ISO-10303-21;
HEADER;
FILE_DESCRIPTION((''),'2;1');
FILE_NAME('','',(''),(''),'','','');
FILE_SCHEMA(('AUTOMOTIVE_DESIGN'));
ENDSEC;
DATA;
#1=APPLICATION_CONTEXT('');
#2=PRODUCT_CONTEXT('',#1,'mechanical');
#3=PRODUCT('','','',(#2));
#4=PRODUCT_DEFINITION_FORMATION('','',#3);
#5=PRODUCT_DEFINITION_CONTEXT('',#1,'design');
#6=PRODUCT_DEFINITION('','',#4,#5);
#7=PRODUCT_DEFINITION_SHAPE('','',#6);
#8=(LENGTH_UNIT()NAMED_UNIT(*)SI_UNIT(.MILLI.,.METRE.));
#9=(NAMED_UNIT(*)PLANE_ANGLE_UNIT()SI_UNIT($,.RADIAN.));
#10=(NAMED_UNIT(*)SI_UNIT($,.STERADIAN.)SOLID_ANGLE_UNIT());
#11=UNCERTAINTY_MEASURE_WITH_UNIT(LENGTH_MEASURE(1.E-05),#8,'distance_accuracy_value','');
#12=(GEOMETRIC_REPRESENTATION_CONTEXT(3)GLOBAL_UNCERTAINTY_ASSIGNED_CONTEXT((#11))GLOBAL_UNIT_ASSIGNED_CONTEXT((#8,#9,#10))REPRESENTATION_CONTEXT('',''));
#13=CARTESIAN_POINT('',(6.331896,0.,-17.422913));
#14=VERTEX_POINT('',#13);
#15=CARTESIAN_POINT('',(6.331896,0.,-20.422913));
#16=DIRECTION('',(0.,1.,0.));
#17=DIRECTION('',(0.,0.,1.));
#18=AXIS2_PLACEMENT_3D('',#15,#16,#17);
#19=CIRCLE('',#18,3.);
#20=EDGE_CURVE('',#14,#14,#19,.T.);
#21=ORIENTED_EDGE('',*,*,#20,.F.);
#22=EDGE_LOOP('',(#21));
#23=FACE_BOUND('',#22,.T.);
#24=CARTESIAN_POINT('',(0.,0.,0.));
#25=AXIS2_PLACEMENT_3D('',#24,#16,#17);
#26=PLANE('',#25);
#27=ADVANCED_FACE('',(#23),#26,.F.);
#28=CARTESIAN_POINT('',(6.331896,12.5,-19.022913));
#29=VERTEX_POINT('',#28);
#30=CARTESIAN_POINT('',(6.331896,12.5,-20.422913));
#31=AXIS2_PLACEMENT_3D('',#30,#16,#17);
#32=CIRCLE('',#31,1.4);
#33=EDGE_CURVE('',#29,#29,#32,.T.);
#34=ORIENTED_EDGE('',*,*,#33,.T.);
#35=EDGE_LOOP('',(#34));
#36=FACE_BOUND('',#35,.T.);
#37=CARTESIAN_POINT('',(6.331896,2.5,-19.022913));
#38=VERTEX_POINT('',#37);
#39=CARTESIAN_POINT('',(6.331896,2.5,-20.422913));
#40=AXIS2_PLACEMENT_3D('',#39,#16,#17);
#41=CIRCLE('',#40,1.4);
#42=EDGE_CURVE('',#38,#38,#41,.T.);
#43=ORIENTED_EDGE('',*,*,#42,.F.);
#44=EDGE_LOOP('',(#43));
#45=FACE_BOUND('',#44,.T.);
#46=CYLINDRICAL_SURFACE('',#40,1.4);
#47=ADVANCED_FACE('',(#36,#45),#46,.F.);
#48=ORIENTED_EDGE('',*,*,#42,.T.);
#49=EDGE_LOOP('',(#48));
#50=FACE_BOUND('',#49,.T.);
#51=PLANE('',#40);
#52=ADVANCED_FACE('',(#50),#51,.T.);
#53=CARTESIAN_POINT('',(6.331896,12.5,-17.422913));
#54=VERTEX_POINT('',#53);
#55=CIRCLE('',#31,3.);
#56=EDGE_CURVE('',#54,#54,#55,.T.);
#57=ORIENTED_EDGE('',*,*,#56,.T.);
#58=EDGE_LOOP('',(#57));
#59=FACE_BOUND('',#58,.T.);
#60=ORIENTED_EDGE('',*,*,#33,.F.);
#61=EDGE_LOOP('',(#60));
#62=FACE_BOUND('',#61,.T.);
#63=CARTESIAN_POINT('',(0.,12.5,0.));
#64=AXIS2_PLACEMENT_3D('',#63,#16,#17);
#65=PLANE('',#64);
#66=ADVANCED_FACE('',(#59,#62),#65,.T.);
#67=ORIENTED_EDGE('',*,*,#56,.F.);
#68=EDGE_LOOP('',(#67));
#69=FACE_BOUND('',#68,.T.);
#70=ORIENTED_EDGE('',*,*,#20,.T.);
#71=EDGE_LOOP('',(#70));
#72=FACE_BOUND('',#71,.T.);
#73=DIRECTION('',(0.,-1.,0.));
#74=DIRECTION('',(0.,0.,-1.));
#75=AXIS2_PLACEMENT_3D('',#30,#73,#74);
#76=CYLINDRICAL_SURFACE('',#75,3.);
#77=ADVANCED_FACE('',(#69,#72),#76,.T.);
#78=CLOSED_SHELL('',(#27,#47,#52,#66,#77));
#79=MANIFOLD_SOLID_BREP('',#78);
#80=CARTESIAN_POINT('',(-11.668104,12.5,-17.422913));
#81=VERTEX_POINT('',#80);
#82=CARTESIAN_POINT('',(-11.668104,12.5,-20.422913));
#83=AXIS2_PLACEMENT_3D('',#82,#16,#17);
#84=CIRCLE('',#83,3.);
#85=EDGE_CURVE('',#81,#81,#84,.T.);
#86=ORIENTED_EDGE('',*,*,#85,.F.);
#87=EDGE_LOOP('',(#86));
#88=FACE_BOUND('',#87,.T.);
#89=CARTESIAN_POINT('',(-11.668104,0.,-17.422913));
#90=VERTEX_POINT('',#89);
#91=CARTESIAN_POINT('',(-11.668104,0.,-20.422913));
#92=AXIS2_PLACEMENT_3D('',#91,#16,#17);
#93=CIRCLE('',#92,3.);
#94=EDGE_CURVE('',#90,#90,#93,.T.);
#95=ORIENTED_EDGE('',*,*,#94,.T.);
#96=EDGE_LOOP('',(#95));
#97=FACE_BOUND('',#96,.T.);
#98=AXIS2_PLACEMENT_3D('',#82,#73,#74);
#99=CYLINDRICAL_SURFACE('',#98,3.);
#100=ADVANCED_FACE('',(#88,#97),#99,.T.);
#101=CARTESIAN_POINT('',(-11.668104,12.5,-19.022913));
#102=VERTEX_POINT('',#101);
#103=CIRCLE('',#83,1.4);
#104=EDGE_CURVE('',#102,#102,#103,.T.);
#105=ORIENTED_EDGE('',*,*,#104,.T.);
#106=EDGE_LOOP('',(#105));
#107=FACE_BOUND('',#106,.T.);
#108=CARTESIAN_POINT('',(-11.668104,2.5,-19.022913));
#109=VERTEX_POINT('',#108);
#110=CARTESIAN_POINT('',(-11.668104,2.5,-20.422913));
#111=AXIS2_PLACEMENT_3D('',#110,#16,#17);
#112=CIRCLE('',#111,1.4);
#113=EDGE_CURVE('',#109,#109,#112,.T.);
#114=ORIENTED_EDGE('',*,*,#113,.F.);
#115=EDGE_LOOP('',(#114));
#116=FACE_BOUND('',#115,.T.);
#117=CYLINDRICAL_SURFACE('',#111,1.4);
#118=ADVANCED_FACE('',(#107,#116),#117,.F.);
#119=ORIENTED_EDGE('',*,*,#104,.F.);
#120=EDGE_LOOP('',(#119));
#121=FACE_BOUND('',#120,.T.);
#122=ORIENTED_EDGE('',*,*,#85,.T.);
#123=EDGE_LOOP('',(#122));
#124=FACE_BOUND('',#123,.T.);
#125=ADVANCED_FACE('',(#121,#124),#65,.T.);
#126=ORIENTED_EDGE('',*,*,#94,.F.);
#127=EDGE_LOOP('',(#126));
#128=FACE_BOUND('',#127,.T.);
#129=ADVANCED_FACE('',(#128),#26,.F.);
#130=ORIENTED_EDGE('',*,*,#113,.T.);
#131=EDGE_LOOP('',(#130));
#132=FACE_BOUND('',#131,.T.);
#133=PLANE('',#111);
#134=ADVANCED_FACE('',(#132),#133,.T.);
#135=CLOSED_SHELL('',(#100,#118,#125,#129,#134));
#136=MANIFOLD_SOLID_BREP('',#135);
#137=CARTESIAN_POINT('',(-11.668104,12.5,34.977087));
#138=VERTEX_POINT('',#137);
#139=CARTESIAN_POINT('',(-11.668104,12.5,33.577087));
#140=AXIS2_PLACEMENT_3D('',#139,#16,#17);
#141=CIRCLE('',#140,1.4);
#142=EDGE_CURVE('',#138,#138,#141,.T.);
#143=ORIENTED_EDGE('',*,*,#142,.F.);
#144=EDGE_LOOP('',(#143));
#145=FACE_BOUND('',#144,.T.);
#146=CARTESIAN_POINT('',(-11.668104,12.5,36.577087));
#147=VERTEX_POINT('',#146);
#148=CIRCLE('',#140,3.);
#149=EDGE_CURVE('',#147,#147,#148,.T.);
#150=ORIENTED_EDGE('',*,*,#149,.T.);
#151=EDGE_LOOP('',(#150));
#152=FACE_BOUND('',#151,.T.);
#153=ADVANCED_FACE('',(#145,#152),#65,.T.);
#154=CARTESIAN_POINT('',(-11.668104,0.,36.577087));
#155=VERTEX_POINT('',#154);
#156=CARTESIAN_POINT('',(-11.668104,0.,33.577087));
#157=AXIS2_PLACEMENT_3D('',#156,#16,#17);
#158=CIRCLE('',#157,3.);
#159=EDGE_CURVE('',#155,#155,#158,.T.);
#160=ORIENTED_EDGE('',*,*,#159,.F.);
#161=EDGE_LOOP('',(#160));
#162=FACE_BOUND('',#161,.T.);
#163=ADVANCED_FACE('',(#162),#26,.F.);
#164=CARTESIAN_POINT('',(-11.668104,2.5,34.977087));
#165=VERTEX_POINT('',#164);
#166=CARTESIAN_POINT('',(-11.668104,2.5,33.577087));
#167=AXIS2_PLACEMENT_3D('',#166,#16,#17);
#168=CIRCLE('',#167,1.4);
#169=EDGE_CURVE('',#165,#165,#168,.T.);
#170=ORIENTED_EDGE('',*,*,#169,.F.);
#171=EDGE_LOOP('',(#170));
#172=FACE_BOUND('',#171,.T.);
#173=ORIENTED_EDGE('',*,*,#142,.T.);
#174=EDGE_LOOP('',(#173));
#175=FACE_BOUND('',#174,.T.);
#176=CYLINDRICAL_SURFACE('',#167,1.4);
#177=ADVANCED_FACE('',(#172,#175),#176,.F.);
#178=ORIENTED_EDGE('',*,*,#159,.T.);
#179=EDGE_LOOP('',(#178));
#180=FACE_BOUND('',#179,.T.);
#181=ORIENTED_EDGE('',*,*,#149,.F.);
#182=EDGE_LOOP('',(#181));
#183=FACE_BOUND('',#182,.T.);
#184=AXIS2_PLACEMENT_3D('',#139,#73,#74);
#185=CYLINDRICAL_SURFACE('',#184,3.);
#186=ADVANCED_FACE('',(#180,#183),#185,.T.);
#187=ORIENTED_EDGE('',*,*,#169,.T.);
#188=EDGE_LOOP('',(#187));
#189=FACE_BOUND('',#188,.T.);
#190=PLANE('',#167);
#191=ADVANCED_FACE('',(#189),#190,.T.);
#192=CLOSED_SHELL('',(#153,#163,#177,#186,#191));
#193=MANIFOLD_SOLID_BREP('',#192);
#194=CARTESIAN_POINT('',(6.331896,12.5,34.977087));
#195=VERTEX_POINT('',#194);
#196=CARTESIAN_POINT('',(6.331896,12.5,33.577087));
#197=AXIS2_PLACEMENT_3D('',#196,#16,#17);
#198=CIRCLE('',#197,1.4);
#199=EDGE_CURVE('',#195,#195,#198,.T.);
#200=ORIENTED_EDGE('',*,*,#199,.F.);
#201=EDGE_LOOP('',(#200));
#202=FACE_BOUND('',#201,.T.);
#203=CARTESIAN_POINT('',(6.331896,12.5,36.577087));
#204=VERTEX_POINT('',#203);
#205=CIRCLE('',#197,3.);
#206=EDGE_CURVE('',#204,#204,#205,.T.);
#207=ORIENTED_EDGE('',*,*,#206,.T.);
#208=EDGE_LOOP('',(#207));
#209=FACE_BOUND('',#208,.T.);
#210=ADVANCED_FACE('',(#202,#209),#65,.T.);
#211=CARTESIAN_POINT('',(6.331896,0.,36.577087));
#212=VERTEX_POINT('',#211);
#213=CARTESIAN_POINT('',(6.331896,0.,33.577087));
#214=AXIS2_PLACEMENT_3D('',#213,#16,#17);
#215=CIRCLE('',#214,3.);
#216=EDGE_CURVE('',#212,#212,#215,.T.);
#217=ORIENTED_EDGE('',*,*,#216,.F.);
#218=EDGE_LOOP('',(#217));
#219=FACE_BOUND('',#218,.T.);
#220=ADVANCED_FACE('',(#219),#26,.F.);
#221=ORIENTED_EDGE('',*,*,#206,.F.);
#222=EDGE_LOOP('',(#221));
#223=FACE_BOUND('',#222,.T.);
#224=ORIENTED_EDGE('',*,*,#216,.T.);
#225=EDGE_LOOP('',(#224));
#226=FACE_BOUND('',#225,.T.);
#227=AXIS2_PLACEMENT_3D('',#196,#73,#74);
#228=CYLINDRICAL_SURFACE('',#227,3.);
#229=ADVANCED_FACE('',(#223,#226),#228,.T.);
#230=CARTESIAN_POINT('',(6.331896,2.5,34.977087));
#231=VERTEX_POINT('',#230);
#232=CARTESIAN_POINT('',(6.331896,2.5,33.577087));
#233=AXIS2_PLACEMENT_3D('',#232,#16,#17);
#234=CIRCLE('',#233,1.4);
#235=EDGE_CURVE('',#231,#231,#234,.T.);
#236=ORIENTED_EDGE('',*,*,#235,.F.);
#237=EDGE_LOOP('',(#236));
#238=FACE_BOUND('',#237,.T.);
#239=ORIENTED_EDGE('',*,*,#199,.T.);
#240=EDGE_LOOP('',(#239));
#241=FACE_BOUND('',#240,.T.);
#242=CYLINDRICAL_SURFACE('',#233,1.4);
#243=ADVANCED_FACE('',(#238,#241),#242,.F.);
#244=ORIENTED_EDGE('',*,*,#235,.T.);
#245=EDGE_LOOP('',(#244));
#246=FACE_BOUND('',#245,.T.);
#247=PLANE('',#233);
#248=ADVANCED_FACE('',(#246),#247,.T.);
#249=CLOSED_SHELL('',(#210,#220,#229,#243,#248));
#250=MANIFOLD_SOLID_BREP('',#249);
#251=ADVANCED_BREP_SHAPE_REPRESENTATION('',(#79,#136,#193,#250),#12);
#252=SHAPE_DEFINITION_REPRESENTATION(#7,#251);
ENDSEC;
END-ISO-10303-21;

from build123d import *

# Parameters (mm, degrees)
SKETCH1_R             = 3
BOSS_EXTRUDE1_DEPTH   = 12.5
BOSS_EXTRUDE1_2_DEPTH = 12.5
BOSS_EXTRUDE1_3_DEPTH = 12.5
BOSS_EXTRUDE1_4_DEPTH = 12.5
SKETCH2_R             = 1.4
CUT_EXTRUDE1_DEPTH    = 10


with BuildPart() as part:
    # Sketch1 → Boss-Extrude1 (new body)
    with BuildSketch(Plane(origin=(0, 0, 0), x_dir=(1, 0, 0), z_dir=(0, 1, 0))):
        with Locations(Location((-11.66810389, -33.577086859, 0), (0, 0, 270))):
            Circle(SKETCH1_R)
    extrude(amount=BOSS_EXTRUDE1_DEPTH)


with BuildPart() as body_2:
    # Sketch1 → Boss-Extrude1 2 (new body)
    with BuildSketch(Plane(origin=(0, 0, 0), x_dir=(1, 0, 0), z_dir=(0, 1, 0))):
        with Locations(Location((6.33189611, -33.577086859, 0), (0, 0, 270))):
            Circle(SKETCH1_R)
    extrude(amount=BOSS_EXTRUDE1_2_DEPTH)


with BuildPart() as body_3:
    # Sketch1 → Boss-Extrude1 3 (new body)
    with BuildSketch(Plane(origin=(0, 0, 0), x_dir=(1, 0, 0), z_dir=(0, 1, 0))):
        with Locations(Location((6.33189611, 20.422913141, 0), (0, 0, 270))):
            Circle(SKETCH1_R)
    extrude(amount=BOSS_EXTRUDE1_3_DEPTH)


with BuildPart() as body_4:
    # Sketch1 → Boss-Extrude1 4 (new body)
    with BuildSketch(Plane(origin=(0, 0, 0), x_dir=(1, 0, 0), z_dir=(0, 1, 0))):
        with Locations(Location((-11.66810389, 20.422913141, 0), (0, 0, 270))):
            Circle(SKETCH1_R)
    extrude(amount=BOSS_EXTRUDE1_4_DEPTH)


with BuildPart() as cut_extrude1_tool:
    # Sketch2 → Cut-Extrude1 (new body)
    with BuildSketch(Plane(origin=(0, 12.5, 0), x_dir=(1, 0, 0), z_dir=(0, 1, 0))):
        with Locations(Location((-11.66810389, 20.422913141, 0), (0, 0, 270))):
            Circle(SKETCH2_R)
        with Locations(Location((6.33189611, 20.422913141, 0), (0, 0, 270))):
            Circle(SKETCH2_R)
        with Locations(Location((6.33189611, -33.577086859, 0), (0, 0, 270))):
            Circle(SKETCH2_R)
        with Locations(Location((-11.66810389, -33.577086859, 0), (0, 0, 270))):
            Circle(SKETCH2_R)
    extrude(amount=-CUT_EXTRUDE1_DEPTH)


with BuildPart() as part_1:
    add(part.part)

    # Cut-Extrude1: cut by cut_extrude1_tool
    add(cut_extrude1_tool.part, mode=Mode.SUBTRACT)


with BuildPart() as body_2_1:
    add(body_2.part)

    # Cut-Extrude1: cut by cut_extrude1_tool
    add(cut_extrude1_tool.part, mode=Mode.SUBTRACT)


with BuildPart() as body_3_1:
    add(body_3.part)

    # Cut-Extrude1: cut by cut_extrude1_tool
    add(cut_extrude1_tool.part, mode=Mode.SUBTRACT)


with BuildPart() as body_4_1:
    add(body_4.part)

    # Cut-Extrude1: cut by cut_extrude1_tool
    add(cut_extrude1_tool.part, mode=Mode.SUBTRACT)


solid = Compound([part_1.part, body_2_1.part, body_3_1.part, body_4_1.part])
